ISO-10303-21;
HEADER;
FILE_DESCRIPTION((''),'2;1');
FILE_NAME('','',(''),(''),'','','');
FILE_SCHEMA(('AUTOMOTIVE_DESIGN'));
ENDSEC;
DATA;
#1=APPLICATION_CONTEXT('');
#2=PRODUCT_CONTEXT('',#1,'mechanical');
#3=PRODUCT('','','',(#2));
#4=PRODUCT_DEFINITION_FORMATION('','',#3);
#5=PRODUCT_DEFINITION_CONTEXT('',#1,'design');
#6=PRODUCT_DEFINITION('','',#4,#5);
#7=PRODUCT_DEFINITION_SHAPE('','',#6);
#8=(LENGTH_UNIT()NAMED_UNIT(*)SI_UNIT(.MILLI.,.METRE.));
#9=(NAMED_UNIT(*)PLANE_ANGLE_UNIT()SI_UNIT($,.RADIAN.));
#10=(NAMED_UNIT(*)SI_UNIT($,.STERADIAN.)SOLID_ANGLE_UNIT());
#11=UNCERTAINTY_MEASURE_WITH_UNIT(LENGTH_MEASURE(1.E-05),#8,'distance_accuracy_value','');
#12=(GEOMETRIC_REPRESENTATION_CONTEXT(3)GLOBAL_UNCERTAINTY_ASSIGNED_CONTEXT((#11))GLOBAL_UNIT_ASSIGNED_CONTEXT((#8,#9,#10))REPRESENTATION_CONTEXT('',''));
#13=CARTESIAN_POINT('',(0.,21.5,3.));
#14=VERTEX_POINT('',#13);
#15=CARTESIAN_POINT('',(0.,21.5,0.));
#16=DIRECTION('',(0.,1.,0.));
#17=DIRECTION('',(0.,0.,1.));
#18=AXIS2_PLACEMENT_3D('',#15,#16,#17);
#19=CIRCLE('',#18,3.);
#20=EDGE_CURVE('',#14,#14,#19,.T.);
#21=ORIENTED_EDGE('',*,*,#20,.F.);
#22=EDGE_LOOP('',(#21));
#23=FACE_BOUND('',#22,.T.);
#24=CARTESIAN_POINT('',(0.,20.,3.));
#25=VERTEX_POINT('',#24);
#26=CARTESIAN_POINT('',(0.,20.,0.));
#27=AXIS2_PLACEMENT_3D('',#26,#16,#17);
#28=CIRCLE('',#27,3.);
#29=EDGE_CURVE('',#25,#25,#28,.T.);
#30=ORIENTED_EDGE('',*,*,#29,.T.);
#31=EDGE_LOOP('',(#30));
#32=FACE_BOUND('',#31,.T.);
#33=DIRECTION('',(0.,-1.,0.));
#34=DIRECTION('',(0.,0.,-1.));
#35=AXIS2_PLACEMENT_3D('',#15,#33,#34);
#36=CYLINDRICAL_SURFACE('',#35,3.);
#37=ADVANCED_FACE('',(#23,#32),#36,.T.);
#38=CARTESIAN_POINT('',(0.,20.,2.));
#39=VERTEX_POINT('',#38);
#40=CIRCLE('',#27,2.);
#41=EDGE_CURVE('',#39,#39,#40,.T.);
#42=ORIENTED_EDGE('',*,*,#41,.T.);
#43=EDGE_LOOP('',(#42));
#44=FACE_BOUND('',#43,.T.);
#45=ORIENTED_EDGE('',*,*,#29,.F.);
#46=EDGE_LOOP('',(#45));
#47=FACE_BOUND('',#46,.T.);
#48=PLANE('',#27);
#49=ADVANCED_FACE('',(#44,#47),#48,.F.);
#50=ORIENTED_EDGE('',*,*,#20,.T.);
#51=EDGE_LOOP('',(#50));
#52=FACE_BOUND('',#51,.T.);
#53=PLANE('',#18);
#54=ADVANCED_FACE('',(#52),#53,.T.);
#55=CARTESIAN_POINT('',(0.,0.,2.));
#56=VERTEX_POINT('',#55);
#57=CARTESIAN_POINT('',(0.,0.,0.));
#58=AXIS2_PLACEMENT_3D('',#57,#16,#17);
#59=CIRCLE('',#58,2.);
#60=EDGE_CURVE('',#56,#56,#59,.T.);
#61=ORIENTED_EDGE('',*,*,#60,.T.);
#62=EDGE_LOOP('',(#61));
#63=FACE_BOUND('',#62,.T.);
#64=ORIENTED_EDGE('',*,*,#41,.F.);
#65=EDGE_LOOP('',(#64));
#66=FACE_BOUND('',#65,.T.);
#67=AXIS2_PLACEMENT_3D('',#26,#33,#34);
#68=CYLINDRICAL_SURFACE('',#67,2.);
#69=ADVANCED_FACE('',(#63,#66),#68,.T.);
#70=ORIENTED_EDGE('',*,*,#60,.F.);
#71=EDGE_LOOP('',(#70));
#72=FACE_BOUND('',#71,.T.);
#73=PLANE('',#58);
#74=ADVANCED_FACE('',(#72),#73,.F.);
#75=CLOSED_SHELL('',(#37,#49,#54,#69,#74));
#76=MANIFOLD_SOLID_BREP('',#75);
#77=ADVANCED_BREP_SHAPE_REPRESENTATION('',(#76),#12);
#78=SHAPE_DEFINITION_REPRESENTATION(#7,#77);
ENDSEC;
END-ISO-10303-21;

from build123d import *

# Parameters (mm, degrees)
SKETCH_1_R      = 2
EXTRUDE_1_DEPTH = 20
SKETCH_2_R      = 3
EXTRUDE_2_DEPTH = 1.5


with BuildPart() as part:
    # 草图1 → 凸台-拉伸1 (new body)
    with BuildSketch(Plane(origin=(0, 0, 0), x_dir=(1, 0, 0), z_dir=(0, 1, 0))):
        with Locations(Location((0, 0, 0), (0, 0, 270))):
            Circle(SKETCH_1_R)
    extrude(amount=EXTRUDE_1_DEPTH)

    # 草图2 → 凸台-拉伸2 (add)
    with BuildSketch(Plane(origin=(0, 20, 0), x_dir=(1, 0, 0), z_dir=(0, 1, 0))):
        with Locations(Location((0, 0, 0), (0, 0, 270))):
            Circle(SKETCH_2_R)
    extrude(amount=EXTRUDE_2_DEPTH)


solid = part.part
